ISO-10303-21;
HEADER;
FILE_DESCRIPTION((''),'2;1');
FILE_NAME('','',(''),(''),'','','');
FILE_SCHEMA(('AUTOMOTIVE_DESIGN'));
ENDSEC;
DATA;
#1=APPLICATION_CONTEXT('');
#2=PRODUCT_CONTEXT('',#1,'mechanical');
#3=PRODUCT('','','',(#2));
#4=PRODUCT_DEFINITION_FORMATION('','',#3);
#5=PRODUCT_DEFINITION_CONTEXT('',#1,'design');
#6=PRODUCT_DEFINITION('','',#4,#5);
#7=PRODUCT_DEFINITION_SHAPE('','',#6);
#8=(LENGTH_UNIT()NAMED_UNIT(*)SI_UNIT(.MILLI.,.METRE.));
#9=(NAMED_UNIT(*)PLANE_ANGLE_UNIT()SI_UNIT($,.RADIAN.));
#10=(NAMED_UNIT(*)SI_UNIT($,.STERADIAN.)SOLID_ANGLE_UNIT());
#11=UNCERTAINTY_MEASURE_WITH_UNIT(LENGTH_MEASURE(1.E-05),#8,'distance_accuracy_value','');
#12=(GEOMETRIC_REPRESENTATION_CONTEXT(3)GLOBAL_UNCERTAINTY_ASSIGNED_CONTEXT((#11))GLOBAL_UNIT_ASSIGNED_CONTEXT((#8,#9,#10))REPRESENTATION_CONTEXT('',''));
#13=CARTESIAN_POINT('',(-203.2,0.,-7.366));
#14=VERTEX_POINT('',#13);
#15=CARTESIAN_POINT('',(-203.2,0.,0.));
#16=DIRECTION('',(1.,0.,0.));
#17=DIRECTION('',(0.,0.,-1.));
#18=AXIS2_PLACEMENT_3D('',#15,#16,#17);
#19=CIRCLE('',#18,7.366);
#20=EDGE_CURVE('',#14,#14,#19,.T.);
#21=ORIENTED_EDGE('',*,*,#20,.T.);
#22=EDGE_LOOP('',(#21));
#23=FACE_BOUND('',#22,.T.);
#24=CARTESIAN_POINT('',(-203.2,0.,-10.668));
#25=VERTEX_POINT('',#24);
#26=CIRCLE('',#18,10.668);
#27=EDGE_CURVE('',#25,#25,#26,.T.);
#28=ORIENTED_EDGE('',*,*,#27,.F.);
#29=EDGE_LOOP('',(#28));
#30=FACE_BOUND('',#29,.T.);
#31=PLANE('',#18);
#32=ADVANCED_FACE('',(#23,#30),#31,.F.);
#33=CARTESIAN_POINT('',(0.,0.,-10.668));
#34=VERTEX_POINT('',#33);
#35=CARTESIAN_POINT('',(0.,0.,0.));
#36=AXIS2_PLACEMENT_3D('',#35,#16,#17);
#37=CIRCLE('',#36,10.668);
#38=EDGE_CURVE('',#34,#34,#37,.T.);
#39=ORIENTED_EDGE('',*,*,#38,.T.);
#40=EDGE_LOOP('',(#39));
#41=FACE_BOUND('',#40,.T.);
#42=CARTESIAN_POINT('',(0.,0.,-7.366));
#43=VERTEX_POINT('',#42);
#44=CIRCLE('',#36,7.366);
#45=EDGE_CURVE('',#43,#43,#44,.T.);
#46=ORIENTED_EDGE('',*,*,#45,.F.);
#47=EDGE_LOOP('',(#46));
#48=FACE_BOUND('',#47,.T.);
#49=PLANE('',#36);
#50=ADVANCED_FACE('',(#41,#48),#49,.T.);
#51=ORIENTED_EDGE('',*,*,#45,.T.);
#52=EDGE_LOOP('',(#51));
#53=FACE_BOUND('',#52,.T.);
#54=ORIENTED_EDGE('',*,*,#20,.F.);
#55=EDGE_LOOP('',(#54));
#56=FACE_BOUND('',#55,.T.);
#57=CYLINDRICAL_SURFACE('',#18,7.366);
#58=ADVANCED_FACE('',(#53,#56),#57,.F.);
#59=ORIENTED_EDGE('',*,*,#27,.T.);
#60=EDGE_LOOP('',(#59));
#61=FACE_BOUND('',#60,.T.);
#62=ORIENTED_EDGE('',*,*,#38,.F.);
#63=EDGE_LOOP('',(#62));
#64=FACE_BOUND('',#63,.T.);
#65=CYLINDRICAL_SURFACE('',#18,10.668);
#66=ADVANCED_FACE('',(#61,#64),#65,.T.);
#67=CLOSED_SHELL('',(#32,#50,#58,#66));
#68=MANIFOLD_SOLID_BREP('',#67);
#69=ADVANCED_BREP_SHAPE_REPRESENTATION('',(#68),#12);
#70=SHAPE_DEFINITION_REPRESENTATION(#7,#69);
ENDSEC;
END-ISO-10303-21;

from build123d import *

# Parameters (mm, degrees)
SKETCH1_R           = 10.668
SKETCH1_R_2         = 7.366
BOSS_EXTRUDE1_DEPTH = 203.2


with BuildPart() as part:
    # Sketch1 → Boss-Extrude1 (new body)
    with BuildSketch(Plane(origin=(0, 0, 0), x_dir=(0, 0, -1), z_dir=(1, 0, 0))):
        Circle(SKETCH1_R)
        Circle(SKETCH1_R_2, mode=Mode.SUBTRACT)
    extrude(amount=-BOSS_EXTRUDE1_DEPTH)


solid = part.part
